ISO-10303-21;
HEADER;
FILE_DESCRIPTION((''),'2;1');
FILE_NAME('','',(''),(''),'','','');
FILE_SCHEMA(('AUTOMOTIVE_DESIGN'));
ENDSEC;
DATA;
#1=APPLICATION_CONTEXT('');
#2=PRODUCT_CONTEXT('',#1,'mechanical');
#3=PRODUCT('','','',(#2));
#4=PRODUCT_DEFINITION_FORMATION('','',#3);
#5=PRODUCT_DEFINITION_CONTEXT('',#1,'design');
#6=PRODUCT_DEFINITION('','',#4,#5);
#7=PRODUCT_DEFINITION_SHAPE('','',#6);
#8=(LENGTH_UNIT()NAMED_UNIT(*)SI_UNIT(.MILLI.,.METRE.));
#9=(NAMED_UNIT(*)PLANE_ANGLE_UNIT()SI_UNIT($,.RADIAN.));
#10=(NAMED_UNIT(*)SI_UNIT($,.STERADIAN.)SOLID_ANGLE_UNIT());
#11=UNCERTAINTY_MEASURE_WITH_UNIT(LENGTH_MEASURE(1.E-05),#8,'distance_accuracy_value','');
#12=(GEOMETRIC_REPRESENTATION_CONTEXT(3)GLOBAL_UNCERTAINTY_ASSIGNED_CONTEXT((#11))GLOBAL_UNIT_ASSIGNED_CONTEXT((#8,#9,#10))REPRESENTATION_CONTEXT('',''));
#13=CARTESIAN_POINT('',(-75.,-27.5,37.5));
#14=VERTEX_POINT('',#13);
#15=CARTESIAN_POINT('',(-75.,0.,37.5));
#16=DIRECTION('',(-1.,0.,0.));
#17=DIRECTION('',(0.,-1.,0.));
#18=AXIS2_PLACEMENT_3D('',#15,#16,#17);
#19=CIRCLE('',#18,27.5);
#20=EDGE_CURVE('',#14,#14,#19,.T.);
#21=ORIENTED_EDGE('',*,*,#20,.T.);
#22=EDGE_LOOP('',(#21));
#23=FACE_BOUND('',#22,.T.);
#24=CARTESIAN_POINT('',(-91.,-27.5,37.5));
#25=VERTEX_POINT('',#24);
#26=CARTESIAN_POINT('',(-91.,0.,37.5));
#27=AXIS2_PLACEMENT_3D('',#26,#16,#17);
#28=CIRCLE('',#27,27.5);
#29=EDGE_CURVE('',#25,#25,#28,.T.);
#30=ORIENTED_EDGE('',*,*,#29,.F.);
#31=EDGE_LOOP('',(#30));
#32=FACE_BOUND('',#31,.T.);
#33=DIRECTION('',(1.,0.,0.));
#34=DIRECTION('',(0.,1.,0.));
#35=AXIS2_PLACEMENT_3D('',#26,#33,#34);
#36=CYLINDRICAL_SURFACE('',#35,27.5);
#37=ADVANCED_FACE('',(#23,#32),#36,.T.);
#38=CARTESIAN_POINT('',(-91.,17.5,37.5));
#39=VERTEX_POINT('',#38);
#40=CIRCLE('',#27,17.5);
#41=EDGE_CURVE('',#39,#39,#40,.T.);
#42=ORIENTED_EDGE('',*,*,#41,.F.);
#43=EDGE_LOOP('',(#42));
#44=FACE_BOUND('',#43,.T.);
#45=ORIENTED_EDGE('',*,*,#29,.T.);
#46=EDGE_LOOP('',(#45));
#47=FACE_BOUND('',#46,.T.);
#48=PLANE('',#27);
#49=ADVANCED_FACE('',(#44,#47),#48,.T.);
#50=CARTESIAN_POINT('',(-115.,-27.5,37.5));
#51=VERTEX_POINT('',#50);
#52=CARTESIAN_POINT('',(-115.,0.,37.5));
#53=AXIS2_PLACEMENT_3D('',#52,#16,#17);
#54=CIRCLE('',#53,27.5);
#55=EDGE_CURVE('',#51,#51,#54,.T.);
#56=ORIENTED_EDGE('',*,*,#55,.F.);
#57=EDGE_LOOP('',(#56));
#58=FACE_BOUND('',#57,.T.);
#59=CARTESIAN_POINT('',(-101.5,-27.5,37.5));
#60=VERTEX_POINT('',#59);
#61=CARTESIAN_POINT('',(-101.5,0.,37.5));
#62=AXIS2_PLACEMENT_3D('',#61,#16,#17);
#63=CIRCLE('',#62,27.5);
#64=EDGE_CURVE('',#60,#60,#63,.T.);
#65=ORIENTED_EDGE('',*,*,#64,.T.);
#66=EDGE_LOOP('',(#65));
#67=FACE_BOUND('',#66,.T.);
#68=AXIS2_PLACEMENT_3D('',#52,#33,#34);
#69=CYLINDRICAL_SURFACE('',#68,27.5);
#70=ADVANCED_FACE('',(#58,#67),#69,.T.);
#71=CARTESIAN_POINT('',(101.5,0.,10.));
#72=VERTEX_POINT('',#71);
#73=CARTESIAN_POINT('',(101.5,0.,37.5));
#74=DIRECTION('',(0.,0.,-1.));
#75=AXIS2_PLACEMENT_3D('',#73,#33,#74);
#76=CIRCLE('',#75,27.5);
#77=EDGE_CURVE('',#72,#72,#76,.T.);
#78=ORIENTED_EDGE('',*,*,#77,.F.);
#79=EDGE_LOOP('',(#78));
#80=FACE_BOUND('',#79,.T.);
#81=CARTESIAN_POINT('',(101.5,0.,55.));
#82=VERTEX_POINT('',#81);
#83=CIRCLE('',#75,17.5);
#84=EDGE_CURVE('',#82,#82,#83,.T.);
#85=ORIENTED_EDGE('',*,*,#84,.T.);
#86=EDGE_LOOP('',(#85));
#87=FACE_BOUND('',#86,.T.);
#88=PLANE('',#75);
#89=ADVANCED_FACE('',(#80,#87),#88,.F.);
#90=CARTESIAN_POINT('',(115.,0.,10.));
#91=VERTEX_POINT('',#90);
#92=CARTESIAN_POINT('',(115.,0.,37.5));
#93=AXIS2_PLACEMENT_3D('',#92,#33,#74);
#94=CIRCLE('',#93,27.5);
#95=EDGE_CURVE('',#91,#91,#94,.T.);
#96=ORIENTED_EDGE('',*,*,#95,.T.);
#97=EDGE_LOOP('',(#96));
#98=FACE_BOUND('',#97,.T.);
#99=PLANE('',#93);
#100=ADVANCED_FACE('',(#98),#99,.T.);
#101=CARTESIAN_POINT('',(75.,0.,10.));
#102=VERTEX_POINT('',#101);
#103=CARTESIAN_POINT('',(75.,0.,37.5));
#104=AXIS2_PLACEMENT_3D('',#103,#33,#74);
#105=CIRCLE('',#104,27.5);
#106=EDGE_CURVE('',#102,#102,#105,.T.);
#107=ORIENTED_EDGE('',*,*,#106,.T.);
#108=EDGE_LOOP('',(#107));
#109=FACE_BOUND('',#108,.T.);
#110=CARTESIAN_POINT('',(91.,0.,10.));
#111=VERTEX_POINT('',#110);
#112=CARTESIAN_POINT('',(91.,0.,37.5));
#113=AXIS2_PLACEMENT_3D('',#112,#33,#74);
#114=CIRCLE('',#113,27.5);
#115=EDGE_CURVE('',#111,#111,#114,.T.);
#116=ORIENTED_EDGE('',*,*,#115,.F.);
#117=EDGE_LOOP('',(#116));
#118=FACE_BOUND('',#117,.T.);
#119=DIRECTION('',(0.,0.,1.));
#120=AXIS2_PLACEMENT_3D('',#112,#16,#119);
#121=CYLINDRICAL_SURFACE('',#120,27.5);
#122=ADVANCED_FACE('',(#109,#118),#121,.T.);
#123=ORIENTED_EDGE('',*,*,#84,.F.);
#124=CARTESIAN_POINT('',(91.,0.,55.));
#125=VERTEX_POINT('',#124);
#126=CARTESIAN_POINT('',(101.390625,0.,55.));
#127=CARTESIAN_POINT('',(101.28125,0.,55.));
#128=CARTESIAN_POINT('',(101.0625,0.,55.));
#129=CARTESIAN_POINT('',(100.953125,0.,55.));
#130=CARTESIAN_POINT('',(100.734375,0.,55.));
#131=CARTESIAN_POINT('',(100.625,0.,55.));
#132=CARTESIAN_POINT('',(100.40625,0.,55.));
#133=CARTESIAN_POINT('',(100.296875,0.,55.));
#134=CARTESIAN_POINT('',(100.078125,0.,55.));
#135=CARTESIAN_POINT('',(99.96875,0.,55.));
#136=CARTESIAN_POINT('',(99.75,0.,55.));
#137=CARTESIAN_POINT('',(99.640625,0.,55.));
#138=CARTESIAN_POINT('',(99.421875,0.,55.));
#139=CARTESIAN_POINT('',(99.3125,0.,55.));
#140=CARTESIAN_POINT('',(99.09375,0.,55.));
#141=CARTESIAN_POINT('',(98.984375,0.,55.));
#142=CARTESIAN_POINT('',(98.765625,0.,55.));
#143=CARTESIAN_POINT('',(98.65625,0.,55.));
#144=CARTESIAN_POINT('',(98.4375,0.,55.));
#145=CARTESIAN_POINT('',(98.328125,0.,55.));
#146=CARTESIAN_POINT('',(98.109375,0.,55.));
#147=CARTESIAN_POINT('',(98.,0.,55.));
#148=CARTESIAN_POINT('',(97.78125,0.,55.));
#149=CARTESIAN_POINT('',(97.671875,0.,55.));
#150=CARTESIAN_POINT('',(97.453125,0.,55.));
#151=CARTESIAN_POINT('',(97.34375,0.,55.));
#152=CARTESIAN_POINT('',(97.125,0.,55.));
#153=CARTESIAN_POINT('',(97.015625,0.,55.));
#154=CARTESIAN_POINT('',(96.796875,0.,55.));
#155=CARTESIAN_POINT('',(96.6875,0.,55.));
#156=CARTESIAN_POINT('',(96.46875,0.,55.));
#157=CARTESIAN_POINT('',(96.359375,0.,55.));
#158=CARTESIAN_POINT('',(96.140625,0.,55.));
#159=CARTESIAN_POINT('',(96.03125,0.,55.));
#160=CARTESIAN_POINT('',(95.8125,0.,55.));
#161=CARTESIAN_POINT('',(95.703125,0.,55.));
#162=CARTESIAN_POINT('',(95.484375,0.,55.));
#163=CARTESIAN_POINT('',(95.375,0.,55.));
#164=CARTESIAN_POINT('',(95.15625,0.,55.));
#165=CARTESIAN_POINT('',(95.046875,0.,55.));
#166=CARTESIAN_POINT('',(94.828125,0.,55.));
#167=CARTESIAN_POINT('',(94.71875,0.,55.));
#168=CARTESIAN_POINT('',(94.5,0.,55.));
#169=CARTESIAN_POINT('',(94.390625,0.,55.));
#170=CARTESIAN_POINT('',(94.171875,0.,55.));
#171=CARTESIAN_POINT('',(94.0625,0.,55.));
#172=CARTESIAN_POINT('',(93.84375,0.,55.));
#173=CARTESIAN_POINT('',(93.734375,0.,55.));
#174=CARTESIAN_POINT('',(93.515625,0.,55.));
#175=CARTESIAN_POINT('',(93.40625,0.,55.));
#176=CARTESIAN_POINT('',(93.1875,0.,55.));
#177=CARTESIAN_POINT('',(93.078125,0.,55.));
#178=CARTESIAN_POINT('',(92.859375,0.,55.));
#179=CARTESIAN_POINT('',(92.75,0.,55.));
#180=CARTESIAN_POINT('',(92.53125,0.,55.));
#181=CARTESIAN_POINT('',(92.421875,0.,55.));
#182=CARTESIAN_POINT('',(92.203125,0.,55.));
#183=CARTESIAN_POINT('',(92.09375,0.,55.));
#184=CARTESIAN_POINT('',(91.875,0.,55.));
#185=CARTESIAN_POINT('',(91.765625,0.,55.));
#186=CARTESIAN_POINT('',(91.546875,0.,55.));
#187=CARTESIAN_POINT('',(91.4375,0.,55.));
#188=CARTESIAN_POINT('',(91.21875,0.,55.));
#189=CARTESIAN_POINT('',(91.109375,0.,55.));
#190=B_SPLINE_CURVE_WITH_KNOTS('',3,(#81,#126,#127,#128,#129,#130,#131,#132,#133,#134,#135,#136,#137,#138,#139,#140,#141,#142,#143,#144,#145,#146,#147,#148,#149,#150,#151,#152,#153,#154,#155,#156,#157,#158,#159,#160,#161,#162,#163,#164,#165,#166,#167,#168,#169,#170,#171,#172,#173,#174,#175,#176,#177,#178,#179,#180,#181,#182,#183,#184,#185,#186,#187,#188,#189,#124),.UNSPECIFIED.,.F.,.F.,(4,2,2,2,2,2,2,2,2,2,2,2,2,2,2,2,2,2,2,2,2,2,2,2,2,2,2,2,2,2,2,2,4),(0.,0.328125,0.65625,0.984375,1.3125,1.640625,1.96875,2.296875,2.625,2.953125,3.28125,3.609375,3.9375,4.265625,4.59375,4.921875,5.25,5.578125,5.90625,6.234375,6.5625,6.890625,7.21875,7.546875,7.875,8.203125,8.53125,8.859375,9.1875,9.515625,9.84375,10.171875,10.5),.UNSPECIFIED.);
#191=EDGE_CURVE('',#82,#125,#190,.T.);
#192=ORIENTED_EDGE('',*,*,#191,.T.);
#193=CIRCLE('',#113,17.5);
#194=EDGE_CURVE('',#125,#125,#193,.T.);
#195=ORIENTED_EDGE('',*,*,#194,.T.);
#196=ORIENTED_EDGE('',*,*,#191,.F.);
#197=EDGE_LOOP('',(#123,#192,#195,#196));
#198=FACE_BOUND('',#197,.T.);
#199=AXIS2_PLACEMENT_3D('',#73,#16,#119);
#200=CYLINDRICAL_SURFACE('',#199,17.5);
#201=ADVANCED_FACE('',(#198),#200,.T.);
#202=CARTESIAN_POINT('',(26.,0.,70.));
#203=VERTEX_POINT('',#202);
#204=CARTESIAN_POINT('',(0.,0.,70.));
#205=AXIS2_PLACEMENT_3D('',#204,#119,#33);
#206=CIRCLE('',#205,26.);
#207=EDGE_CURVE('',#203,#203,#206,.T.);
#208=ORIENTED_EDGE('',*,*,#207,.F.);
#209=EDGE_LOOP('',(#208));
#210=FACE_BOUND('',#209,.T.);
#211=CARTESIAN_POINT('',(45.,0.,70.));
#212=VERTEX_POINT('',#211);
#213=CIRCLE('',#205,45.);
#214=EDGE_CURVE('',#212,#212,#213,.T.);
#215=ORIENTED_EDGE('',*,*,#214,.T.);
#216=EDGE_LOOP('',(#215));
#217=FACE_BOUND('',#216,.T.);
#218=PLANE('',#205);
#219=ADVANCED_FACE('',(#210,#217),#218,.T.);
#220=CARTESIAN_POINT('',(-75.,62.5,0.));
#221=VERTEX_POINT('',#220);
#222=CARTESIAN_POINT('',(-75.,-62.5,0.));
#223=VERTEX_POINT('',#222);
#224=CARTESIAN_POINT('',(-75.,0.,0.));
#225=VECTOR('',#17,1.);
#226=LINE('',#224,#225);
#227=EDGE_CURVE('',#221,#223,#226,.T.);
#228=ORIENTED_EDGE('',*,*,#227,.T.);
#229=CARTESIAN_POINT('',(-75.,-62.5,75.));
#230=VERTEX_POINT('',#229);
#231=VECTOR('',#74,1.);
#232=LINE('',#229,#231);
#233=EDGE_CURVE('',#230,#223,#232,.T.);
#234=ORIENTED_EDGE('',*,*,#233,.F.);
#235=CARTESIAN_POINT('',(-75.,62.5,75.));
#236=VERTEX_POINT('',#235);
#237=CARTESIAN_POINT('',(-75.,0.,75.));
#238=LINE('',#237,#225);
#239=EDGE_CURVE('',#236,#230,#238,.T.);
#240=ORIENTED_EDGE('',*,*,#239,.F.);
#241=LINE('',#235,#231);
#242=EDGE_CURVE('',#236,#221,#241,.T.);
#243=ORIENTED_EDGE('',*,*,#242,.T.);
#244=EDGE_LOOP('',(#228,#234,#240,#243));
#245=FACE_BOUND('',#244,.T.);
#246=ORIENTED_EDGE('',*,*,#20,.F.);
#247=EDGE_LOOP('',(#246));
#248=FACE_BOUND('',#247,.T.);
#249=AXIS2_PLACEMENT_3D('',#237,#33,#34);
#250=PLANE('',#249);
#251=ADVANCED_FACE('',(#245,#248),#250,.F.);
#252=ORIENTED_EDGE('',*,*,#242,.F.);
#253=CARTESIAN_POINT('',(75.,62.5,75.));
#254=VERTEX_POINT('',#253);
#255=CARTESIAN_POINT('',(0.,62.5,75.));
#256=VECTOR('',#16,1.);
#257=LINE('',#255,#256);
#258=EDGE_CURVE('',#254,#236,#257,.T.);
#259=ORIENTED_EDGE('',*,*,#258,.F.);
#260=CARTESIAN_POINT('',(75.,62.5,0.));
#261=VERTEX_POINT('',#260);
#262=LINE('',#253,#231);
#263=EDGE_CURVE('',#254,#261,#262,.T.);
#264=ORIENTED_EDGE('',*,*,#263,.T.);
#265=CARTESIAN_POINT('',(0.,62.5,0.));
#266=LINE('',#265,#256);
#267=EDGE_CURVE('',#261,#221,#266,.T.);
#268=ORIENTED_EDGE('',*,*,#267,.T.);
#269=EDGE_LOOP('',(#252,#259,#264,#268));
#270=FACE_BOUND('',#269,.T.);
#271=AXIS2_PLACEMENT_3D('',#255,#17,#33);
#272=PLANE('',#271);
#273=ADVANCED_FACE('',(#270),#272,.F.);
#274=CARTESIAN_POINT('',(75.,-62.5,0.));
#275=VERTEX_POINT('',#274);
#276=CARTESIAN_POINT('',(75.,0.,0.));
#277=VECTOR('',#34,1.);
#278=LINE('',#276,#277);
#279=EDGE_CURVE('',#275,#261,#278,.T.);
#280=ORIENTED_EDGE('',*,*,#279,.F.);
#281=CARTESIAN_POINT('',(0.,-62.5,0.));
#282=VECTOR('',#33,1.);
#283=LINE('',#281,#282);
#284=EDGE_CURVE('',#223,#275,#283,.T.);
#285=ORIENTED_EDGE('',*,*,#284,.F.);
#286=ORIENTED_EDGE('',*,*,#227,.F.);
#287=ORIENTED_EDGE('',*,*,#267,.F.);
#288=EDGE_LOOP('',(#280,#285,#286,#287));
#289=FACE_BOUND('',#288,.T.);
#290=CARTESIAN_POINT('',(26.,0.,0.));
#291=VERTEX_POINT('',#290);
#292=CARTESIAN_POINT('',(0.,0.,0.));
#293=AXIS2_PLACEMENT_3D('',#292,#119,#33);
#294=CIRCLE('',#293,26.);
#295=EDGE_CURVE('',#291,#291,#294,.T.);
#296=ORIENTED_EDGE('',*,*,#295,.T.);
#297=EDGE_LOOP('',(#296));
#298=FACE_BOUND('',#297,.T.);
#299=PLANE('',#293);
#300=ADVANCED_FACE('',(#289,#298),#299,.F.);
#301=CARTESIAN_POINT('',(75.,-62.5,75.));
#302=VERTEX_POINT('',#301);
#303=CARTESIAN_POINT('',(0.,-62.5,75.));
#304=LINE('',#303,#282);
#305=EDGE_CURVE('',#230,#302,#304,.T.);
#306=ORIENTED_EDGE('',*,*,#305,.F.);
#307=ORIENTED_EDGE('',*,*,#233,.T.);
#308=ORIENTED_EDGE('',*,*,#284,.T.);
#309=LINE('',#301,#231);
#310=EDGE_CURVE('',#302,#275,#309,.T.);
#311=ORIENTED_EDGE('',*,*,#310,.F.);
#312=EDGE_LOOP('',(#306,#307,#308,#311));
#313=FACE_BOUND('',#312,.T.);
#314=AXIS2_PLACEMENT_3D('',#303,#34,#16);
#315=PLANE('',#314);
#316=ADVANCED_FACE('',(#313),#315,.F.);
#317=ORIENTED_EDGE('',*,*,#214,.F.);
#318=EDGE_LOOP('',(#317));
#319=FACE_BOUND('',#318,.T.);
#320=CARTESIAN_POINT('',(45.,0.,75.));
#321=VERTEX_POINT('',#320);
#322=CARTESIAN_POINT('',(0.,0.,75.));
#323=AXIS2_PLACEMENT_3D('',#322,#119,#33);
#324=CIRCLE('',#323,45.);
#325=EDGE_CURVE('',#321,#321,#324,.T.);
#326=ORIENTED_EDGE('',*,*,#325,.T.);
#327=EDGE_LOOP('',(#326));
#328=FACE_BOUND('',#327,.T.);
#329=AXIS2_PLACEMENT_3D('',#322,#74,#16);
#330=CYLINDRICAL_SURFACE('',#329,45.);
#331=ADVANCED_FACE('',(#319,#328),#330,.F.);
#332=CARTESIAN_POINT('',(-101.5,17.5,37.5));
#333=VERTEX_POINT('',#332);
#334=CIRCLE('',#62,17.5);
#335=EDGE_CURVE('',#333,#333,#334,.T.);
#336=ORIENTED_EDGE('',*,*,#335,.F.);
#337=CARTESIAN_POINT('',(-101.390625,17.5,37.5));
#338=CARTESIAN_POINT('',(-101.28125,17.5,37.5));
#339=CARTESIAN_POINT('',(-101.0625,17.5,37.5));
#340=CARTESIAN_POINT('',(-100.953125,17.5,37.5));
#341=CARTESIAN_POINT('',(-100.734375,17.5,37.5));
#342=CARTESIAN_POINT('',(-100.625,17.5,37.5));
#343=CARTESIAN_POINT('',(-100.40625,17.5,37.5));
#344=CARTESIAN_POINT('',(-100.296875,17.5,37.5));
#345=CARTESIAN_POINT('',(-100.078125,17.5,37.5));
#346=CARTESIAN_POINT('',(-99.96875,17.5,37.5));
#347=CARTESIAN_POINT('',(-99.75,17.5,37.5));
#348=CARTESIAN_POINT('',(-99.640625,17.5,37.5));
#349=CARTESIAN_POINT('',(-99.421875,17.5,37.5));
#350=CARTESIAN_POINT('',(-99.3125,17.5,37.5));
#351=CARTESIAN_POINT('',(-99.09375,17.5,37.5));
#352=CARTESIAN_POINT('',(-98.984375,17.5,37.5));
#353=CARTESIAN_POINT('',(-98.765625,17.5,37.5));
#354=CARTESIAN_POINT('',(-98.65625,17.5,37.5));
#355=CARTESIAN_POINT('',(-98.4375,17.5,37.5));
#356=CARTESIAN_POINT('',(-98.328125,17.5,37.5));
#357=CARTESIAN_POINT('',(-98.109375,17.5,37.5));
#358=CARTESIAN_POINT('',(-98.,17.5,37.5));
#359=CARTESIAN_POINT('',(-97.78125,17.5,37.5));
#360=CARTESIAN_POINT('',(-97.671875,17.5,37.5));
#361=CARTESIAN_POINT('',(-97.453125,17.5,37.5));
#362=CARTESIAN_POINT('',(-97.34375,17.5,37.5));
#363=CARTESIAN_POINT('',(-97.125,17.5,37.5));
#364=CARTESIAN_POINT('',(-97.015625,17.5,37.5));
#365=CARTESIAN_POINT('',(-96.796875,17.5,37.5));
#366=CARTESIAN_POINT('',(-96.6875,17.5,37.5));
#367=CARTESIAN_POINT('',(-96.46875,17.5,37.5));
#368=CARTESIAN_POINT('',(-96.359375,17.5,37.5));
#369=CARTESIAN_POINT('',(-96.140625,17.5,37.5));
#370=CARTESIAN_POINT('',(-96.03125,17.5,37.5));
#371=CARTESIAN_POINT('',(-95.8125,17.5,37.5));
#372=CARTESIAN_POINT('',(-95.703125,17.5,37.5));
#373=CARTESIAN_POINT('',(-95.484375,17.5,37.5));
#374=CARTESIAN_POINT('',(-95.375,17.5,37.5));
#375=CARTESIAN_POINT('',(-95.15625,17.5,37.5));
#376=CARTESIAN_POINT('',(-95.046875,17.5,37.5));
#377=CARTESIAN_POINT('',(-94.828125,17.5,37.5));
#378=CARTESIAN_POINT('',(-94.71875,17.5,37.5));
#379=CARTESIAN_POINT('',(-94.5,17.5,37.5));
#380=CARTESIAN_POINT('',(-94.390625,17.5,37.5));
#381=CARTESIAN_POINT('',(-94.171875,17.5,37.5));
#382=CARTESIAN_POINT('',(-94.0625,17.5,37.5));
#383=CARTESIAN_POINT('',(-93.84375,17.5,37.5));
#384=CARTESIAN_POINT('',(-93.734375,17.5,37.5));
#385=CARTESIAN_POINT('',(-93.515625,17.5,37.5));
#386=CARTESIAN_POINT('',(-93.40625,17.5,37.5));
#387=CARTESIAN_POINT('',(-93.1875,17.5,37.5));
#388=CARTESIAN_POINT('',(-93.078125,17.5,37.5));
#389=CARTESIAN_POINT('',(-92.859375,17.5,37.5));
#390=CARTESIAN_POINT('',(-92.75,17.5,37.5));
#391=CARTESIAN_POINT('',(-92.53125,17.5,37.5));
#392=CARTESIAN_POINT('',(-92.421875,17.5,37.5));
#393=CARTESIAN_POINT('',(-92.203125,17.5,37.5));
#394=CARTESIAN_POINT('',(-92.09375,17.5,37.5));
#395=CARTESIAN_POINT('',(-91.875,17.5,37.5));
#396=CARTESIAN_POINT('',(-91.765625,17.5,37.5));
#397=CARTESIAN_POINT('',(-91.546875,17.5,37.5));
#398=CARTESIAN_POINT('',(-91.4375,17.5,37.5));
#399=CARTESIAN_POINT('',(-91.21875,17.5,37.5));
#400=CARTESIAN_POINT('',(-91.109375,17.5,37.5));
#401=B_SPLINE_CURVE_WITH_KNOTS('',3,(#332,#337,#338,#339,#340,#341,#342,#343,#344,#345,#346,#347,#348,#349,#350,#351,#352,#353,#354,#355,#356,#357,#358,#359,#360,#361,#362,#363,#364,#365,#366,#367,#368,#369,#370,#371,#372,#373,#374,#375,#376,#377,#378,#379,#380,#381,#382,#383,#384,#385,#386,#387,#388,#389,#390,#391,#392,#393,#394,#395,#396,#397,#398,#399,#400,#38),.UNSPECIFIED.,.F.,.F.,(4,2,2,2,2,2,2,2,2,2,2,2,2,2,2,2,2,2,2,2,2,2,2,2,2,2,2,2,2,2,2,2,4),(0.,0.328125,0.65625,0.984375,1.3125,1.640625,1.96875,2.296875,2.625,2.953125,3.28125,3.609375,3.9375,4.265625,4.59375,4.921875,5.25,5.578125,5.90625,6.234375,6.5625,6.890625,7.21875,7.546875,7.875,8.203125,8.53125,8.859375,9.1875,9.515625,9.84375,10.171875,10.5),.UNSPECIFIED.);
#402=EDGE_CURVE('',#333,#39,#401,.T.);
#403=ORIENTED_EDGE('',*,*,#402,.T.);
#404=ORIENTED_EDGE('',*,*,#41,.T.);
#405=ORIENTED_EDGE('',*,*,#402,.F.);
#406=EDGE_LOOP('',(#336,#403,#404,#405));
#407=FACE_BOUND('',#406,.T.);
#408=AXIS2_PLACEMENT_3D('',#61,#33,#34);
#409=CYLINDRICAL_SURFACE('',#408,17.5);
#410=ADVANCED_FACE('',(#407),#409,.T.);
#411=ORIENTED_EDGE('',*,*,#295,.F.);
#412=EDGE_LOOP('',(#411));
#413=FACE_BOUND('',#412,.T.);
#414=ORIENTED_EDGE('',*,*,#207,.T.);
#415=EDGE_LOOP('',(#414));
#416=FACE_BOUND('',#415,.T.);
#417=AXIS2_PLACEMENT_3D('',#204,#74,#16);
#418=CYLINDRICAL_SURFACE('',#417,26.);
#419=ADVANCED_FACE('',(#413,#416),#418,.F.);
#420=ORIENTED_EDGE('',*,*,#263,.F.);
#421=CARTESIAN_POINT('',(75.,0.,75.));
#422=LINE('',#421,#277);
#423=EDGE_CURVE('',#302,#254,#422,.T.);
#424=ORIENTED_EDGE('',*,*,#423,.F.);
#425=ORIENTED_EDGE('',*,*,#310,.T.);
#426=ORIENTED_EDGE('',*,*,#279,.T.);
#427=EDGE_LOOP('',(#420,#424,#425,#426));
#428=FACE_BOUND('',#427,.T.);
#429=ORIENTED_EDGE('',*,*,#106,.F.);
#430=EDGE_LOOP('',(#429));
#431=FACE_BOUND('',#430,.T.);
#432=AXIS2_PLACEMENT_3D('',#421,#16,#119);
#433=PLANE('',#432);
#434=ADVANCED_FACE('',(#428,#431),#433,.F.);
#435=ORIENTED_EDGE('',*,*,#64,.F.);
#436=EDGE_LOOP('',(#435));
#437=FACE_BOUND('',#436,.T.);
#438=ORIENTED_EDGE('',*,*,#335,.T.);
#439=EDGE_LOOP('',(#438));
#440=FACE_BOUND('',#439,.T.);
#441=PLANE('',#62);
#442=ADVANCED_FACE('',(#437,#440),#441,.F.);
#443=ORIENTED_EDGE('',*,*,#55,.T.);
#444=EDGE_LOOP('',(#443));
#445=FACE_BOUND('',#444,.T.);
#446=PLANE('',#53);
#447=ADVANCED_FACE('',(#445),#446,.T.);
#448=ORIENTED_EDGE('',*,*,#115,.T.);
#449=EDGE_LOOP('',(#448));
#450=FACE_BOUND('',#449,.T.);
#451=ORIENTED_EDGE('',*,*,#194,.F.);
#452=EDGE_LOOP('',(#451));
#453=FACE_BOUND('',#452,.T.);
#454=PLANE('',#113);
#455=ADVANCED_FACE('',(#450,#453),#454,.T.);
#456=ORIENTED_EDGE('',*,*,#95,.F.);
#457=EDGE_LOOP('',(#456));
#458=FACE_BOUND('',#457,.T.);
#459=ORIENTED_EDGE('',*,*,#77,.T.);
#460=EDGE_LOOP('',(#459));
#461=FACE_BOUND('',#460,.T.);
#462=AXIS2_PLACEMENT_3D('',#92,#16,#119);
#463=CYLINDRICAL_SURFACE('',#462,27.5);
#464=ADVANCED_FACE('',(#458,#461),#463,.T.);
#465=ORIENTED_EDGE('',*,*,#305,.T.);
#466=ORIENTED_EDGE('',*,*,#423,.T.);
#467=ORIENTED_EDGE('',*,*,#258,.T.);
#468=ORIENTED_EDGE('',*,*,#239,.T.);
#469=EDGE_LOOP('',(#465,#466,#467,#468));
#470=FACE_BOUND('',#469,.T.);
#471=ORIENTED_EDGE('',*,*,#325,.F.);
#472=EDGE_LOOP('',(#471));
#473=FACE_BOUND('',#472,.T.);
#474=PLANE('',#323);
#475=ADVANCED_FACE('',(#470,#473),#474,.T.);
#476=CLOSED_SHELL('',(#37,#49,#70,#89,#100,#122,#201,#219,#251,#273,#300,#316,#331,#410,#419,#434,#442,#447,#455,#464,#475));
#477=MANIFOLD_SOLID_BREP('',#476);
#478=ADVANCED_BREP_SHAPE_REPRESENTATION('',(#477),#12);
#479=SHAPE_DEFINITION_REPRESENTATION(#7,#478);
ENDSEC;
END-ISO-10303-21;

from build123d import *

# Parameters (mm, degrees)
SKETCH1_W            = 150
SKETCH1_H            = 125
SKETCH1_R            = 45
BOSS_EXTRUDE2_DEPTH  = 75
SKETCH1_5_R          = 45
SKETCH1_5_R_2        = 26
BOSS_EXTRUDE3_DEPTH  = 70
SKETCH6_R            = 27.5
BOSS_EXTRUDE5_DEPTH  = 16
SKETCH7_R            = 17.5
BOSS_EXTRUDE6_DEPTH  = 10.5
SKETCH8_R            = 27.5
BOSS_EXTRUDE7_DEPTH  = 13.5
BOSS_EXTRUDE8_START  = 16
SKETCH9_R            = 27.5
BOSS_EXTRUDE8_DEPTH  = 16
BOSS_EXTRUDE9_START  = 10.5
SKETCH10_R           = 17.5
BOSS_EXTRUDE9_DEPTH  = 10.5
BOSS_EXTRUDE10_START = 13.5
SKETCH11_R           = 27.5
BOSS_EXTRUDE10_DEPTH = 13.5


with BuildPart() as part:
    # Sketch1 → Boss-Extrude2 (new body)
    with BuildSketch(Plane.XY):
        Rectangle(SKETCH1_W, SKETCH1_H)
        Circle(SKETCH1_R, mode=Mode.SUBTRACT)
    extrude(amount=BOSS_EXTRUDE2_DEPTH)

    # Sketch1<5> → Boss-Extrude3 (add)
    with BuildSketch(Plane.XY):
        Circle(SKETCH1_5_R)
        Circle(SKETCH1_5_R_2, mode=Mode.SUBTRACT)
    extrude(amount=BOSS_EXTRUDE3_DEPTH)

    # Sketch6 → Boss-Extrude5 (add)
    with BuildSketch(Plane(origin=(75, 0, 0), x_dir=(0, 0, -1), z_dir=(1, 0, 0))):
        with Locations((-37.5, 0)):
            Circle(SKETCH6_R)
    extrude(amount=BOSS_EXTRUDE5_DEPTH)

    # Sketch7 → Boss-Extrude6 (add)
    with BuildSketch(Plane(origin=(91, 0, 0), x_dir=(0, 0, -1), z_dir=(1, 0, 0))):
        with Locations((-37.5, 0)):
            Circle(SKETCH7_R)
    extrude(amount=BOSS_EXTRUDE6_DEPTH)

    # Sketch8 → Boss-Extrude7 (add)
    with BuildSketch(Plane(origin=(101.5, 0, 0), x_dir=(0, 0, -1), z_dir=(1, 0, 0))):
        with Locations((-37.5, 0)):
            Circle(SKETCH8_R)
    extrude(amount=BOSS_EXTRUDE7_DEPTH)

    # Sketch9 → Boss-Extrude8 (add)
    with BuildSketch(Plane.ZY.offset(75).offset(BOSS_EXTRUDE8_START)):
        with Locations((37.5, 0)):
            Circle(SKETCH9_R)
    extrude(amount=-BOSS_EXTRUDE8_DEPTH)

    # Sketch10 → Boss-Extrude9 (add)
    with BuildSketch(Plane.ZY.offset(91).offset(BOSS_EXTRUDE9_START)):
        with Locations((37.5, 0)):
            Circle(SKETCH10_R)
    extrude(amount=-BOSS_EXTRUDE9_DEPTH)

    # Sketch11 → Boss-Extrude10 (add)
    with BuildSketch(Plane.ZY.offset(101.5).offset(BOSS_EXTRUDE10_START)):
        with Locations((37.5, 0)):
            Circle(SKETCH11_R)
    extrude(amount=-BOSS_EXTRUDE10_DEPTH)


solid = part.part
